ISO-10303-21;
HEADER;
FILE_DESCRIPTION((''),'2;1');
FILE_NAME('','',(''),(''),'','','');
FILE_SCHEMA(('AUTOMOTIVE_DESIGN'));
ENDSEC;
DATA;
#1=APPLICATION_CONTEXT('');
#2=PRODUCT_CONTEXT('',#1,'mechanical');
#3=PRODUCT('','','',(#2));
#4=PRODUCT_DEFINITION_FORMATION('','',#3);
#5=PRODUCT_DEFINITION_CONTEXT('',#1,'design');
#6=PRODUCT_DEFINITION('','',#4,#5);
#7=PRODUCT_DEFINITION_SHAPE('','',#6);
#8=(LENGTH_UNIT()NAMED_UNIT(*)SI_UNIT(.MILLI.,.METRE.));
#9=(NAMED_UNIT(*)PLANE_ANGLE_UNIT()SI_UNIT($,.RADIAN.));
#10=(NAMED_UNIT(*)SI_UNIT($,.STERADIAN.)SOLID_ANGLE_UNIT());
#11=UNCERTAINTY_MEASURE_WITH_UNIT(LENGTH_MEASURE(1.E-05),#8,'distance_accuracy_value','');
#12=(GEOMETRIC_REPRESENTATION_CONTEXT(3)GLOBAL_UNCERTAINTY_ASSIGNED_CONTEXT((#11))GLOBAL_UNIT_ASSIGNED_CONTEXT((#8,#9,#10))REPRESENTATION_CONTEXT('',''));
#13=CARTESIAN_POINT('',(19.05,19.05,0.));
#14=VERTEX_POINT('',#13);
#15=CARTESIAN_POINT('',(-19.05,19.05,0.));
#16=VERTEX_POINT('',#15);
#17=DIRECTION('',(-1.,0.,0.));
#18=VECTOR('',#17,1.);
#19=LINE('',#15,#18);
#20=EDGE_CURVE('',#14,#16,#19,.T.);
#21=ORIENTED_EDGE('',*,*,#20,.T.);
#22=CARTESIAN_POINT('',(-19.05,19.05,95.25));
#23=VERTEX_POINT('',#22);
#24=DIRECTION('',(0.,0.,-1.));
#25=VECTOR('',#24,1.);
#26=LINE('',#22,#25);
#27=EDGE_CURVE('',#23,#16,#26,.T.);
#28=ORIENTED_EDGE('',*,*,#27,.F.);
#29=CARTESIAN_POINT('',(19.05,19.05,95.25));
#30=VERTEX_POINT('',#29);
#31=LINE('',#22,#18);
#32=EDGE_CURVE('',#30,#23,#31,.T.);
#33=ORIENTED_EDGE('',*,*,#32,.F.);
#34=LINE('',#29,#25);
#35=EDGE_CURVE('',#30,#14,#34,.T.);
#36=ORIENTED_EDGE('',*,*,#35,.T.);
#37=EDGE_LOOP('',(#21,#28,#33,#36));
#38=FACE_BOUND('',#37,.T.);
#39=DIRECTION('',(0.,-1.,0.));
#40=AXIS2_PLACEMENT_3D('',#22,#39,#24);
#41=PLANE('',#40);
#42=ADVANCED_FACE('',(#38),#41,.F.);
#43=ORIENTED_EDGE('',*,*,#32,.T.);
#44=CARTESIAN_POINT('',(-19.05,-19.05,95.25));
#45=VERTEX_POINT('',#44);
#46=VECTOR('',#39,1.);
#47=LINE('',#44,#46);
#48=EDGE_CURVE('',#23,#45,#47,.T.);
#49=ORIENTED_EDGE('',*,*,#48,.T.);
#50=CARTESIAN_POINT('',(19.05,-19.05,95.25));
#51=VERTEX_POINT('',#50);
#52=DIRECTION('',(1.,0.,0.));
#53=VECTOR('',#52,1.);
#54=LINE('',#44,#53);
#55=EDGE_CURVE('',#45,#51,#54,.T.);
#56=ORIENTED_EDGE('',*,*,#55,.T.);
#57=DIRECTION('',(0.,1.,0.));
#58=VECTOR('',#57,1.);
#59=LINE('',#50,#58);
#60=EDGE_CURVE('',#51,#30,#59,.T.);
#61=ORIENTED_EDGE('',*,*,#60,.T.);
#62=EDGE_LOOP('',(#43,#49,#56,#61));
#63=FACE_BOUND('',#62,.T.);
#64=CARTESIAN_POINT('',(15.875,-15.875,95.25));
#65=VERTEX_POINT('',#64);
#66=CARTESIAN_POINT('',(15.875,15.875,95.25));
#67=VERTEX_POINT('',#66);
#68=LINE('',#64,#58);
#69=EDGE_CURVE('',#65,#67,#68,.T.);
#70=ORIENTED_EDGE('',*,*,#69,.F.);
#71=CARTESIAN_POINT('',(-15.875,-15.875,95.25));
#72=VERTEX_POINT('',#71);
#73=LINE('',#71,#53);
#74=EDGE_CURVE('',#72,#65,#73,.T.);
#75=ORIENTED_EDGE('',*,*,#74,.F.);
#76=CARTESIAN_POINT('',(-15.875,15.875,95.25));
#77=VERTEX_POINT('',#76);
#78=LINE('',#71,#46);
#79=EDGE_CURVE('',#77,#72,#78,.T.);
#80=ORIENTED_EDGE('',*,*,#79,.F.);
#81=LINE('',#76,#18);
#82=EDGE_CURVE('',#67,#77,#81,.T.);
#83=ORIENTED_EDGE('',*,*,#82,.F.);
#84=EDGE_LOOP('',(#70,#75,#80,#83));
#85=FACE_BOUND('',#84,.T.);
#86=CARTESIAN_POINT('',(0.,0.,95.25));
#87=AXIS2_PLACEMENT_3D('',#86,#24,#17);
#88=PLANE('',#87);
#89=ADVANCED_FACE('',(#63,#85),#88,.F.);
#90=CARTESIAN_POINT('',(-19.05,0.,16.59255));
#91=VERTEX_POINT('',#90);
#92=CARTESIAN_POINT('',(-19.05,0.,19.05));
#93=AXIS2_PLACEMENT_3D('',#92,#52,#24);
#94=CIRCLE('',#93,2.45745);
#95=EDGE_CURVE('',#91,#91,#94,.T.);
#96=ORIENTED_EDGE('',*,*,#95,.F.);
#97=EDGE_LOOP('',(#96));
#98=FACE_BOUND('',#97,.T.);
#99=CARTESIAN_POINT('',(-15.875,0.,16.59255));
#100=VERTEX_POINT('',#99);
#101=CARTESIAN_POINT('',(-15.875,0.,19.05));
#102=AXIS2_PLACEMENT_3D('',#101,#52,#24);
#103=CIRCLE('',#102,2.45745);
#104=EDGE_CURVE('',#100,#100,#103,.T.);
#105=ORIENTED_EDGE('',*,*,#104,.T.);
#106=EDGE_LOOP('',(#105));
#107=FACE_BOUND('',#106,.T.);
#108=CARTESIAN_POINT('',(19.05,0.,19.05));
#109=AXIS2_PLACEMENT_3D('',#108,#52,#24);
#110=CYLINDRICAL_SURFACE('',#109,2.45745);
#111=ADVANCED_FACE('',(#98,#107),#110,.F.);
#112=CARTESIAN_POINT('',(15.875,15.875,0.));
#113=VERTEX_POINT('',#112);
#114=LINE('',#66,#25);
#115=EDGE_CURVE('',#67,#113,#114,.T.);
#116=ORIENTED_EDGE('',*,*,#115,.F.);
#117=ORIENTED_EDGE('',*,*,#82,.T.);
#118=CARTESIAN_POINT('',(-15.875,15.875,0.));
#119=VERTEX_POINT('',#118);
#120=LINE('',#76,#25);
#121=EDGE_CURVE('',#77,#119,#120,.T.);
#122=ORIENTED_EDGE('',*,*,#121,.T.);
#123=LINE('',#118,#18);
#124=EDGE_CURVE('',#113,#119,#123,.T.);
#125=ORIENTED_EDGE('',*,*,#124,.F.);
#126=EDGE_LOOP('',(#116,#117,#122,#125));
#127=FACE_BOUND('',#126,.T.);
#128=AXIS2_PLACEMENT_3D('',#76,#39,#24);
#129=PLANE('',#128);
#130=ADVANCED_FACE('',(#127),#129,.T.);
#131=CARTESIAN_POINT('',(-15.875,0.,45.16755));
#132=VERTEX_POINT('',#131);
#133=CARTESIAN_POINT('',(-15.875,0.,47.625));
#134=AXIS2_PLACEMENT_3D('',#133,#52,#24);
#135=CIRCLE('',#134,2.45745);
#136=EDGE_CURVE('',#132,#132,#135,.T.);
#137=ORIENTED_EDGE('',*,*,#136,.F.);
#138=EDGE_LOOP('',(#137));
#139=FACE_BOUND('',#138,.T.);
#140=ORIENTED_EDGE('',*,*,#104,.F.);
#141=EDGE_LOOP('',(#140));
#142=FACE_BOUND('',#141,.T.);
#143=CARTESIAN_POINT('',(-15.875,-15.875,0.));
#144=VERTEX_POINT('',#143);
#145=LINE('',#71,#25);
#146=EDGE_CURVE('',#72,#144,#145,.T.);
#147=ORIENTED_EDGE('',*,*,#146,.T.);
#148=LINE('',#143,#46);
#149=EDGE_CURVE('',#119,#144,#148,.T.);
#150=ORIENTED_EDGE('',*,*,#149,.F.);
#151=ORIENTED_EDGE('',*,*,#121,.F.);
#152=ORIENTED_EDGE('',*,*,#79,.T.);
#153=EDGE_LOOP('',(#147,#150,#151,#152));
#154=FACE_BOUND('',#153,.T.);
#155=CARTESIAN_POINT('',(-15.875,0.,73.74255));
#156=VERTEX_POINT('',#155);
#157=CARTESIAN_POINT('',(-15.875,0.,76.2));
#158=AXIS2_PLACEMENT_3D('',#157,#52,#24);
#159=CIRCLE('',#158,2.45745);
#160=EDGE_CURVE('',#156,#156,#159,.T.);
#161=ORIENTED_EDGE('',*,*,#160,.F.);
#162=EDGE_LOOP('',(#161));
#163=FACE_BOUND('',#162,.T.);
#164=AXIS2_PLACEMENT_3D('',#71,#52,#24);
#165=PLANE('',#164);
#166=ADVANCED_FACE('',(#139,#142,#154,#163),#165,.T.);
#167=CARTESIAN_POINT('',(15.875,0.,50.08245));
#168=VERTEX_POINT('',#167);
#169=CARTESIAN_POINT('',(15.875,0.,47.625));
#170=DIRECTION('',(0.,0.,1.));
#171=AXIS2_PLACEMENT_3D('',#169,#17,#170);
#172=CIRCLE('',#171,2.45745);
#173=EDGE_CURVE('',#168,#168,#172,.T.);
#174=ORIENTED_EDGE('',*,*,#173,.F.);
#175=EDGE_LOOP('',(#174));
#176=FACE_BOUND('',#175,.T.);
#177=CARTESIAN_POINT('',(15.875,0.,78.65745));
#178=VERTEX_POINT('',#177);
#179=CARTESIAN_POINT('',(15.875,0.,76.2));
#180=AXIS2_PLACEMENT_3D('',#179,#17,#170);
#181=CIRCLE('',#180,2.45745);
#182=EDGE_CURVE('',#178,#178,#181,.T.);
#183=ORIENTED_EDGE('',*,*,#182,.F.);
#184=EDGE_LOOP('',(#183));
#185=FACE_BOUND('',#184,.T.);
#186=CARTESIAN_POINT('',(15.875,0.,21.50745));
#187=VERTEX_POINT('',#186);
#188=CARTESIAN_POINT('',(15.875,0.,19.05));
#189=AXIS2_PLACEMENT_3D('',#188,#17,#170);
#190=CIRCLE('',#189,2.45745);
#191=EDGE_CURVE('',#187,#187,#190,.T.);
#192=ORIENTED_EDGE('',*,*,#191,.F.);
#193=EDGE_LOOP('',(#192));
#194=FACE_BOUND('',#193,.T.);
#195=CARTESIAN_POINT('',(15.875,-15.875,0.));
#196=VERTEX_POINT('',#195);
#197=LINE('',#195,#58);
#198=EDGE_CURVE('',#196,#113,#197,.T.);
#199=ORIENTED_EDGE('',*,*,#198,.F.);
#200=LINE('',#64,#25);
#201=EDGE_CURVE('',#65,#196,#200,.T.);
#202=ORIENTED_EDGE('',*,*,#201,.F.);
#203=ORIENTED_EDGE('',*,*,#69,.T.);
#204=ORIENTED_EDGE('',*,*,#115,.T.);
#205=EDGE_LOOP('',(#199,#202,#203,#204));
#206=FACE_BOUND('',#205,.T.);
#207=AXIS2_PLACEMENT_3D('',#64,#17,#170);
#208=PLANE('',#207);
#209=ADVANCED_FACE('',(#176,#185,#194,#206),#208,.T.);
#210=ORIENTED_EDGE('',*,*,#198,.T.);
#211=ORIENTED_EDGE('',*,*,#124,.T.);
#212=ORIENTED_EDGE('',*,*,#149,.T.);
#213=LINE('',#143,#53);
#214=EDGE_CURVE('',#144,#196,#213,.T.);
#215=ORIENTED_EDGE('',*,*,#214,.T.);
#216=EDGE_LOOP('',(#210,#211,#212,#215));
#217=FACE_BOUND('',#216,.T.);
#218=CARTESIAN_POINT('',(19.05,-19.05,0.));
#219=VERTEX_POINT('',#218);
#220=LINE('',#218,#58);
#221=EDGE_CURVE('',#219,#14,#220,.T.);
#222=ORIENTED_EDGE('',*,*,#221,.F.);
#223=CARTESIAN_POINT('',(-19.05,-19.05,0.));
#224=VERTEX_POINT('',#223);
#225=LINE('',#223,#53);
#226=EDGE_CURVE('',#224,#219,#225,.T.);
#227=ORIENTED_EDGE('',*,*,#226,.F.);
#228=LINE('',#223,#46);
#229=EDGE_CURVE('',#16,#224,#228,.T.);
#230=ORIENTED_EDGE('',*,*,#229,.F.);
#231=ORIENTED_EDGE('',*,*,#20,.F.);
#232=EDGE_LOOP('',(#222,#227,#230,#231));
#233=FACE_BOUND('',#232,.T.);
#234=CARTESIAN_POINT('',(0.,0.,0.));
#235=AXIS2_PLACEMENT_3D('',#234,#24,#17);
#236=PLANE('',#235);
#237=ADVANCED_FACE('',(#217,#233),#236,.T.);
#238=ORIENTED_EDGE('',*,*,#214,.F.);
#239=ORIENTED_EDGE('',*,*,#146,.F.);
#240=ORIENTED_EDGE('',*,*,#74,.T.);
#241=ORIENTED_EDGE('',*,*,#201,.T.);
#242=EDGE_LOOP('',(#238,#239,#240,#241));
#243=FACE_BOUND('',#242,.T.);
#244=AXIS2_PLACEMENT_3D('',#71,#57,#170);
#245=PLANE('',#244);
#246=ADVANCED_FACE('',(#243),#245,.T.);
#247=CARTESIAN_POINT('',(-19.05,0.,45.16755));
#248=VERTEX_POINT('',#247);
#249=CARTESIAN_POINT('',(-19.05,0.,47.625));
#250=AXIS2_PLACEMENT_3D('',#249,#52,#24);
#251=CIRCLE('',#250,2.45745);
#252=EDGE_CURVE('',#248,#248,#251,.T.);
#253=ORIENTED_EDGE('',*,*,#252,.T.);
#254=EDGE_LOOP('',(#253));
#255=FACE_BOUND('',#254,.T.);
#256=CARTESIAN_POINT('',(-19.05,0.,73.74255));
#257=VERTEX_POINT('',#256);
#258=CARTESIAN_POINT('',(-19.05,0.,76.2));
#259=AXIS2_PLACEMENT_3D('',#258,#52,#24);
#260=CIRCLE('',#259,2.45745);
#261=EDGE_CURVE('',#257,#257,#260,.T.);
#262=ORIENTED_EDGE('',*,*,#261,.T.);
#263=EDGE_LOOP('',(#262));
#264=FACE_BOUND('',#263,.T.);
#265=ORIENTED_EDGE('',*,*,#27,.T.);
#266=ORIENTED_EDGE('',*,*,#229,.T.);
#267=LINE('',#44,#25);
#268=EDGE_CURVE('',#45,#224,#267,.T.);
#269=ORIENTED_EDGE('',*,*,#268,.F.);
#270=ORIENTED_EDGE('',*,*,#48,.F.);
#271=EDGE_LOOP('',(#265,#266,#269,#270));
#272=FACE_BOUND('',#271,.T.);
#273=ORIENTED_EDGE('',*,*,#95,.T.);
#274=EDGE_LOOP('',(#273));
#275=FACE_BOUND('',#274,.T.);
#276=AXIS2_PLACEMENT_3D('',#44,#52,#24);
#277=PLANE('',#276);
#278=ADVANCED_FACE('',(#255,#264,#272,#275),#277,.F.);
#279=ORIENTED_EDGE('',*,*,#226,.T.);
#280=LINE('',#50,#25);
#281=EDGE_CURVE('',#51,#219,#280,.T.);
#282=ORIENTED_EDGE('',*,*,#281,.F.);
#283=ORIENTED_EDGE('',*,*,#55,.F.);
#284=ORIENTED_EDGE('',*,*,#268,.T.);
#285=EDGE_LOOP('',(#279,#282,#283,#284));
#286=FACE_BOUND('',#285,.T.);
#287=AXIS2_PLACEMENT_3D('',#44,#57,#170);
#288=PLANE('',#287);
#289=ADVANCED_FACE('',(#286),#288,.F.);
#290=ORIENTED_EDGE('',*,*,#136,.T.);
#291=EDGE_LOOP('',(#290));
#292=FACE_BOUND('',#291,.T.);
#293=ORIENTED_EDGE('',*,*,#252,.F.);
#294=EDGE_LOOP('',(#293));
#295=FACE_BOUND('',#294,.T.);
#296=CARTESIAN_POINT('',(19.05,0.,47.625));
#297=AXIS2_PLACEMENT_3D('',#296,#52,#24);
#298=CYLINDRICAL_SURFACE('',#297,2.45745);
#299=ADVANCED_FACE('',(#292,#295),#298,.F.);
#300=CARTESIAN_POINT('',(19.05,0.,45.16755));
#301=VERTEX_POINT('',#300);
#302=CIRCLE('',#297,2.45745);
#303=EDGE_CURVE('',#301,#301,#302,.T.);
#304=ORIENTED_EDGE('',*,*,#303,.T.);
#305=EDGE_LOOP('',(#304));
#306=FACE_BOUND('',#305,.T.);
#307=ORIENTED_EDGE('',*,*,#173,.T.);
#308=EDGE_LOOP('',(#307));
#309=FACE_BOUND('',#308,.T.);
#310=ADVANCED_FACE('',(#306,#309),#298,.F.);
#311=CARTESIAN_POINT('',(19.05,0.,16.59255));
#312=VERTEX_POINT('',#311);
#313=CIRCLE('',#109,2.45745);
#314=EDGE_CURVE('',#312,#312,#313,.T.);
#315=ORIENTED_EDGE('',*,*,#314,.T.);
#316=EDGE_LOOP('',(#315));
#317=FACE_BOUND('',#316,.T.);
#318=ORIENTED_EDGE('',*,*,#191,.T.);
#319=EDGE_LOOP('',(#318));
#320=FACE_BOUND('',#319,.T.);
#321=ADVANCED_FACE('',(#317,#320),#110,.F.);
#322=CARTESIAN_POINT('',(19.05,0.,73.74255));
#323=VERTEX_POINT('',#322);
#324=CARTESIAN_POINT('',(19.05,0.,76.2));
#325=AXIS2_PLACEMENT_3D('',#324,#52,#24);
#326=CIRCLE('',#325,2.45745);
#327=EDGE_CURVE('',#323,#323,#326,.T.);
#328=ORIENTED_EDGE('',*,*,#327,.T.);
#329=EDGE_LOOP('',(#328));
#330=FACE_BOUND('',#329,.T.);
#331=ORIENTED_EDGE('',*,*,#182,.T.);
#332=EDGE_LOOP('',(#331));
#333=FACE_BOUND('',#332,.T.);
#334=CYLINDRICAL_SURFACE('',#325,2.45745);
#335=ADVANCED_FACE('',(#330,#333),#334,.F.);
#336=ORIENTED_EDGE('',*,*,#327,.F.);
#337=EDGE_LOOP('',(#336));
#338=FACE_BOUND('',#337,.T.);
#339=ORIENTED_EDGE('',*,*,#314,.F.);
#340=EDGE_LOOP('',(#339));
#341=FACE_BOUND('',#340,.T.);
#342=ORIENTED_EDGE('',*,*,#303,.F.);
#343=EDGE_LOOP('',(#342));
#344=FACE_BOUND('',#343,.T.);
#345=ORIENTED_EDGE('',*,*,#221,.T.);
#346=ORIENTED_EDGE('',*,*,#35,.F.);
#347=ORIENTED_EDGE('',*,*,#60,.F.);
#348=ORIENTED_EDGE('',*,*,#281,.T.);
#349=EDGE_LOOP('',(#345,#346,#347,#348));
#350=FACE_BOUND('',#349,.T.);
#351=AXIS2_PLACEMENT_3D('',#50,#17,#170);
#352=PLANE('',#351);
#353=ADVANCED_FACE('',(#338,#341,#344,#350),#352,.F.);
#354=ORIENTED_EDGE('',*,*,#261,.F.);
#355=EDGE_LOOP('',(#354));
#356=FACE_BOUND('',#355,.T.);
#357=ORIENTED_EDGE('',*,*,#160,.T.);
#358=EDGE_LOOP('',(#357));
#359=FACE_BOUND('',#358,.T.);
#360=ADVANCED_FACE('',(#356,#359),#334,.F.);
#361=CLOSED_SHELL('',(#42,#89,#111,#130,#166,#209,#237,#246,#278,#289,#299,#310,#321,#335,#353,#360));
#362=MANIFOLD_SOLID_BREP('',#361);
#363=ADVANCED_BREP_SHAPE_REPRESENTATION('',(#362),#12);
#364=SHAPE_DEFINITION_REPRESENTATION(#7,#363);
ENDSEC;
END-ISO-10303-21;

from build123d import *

# Parameters (mm, degrees)
SKETCH1_W                    = 38.1
SKETCH1_H                    = 38.1
SKETCH1_W_2                  = 31.75
SKETCH1_H_2                  = 31.75
BOSS_EXTRUDE1_DEPTH          = 95.25
F_10_0_1935_DIAMETER_HOLE1_D = 4.9149


with BuildPart() as part:
    # Sketch1 → Boss-Extrude1 (new body)
    with BuildSketch(Plane.XY):
        Rectangle(SKETCH1_W, SKETCH1_H)
        Rectangle(SKETCH1_W_2, SKETCH1_H_2, mode=Mode.SUBTRACT)
    extrude(amount=BOSS_EXTRUDE1_DEPTH)

    # #10 (0.1935) Diameter Hole1 (through all)
    with Locations(Plane(origin=(19.05, 0, 19.05), x_dir=(0, 0, 1), z_dir=(1, 0, 0))):
        with Locations((0, 0), (57.15, 0), (28.575, 0)):
            Hole(F_10_0_1935_DIAMETER_HOLE1_D / 2)


solid = part.part
